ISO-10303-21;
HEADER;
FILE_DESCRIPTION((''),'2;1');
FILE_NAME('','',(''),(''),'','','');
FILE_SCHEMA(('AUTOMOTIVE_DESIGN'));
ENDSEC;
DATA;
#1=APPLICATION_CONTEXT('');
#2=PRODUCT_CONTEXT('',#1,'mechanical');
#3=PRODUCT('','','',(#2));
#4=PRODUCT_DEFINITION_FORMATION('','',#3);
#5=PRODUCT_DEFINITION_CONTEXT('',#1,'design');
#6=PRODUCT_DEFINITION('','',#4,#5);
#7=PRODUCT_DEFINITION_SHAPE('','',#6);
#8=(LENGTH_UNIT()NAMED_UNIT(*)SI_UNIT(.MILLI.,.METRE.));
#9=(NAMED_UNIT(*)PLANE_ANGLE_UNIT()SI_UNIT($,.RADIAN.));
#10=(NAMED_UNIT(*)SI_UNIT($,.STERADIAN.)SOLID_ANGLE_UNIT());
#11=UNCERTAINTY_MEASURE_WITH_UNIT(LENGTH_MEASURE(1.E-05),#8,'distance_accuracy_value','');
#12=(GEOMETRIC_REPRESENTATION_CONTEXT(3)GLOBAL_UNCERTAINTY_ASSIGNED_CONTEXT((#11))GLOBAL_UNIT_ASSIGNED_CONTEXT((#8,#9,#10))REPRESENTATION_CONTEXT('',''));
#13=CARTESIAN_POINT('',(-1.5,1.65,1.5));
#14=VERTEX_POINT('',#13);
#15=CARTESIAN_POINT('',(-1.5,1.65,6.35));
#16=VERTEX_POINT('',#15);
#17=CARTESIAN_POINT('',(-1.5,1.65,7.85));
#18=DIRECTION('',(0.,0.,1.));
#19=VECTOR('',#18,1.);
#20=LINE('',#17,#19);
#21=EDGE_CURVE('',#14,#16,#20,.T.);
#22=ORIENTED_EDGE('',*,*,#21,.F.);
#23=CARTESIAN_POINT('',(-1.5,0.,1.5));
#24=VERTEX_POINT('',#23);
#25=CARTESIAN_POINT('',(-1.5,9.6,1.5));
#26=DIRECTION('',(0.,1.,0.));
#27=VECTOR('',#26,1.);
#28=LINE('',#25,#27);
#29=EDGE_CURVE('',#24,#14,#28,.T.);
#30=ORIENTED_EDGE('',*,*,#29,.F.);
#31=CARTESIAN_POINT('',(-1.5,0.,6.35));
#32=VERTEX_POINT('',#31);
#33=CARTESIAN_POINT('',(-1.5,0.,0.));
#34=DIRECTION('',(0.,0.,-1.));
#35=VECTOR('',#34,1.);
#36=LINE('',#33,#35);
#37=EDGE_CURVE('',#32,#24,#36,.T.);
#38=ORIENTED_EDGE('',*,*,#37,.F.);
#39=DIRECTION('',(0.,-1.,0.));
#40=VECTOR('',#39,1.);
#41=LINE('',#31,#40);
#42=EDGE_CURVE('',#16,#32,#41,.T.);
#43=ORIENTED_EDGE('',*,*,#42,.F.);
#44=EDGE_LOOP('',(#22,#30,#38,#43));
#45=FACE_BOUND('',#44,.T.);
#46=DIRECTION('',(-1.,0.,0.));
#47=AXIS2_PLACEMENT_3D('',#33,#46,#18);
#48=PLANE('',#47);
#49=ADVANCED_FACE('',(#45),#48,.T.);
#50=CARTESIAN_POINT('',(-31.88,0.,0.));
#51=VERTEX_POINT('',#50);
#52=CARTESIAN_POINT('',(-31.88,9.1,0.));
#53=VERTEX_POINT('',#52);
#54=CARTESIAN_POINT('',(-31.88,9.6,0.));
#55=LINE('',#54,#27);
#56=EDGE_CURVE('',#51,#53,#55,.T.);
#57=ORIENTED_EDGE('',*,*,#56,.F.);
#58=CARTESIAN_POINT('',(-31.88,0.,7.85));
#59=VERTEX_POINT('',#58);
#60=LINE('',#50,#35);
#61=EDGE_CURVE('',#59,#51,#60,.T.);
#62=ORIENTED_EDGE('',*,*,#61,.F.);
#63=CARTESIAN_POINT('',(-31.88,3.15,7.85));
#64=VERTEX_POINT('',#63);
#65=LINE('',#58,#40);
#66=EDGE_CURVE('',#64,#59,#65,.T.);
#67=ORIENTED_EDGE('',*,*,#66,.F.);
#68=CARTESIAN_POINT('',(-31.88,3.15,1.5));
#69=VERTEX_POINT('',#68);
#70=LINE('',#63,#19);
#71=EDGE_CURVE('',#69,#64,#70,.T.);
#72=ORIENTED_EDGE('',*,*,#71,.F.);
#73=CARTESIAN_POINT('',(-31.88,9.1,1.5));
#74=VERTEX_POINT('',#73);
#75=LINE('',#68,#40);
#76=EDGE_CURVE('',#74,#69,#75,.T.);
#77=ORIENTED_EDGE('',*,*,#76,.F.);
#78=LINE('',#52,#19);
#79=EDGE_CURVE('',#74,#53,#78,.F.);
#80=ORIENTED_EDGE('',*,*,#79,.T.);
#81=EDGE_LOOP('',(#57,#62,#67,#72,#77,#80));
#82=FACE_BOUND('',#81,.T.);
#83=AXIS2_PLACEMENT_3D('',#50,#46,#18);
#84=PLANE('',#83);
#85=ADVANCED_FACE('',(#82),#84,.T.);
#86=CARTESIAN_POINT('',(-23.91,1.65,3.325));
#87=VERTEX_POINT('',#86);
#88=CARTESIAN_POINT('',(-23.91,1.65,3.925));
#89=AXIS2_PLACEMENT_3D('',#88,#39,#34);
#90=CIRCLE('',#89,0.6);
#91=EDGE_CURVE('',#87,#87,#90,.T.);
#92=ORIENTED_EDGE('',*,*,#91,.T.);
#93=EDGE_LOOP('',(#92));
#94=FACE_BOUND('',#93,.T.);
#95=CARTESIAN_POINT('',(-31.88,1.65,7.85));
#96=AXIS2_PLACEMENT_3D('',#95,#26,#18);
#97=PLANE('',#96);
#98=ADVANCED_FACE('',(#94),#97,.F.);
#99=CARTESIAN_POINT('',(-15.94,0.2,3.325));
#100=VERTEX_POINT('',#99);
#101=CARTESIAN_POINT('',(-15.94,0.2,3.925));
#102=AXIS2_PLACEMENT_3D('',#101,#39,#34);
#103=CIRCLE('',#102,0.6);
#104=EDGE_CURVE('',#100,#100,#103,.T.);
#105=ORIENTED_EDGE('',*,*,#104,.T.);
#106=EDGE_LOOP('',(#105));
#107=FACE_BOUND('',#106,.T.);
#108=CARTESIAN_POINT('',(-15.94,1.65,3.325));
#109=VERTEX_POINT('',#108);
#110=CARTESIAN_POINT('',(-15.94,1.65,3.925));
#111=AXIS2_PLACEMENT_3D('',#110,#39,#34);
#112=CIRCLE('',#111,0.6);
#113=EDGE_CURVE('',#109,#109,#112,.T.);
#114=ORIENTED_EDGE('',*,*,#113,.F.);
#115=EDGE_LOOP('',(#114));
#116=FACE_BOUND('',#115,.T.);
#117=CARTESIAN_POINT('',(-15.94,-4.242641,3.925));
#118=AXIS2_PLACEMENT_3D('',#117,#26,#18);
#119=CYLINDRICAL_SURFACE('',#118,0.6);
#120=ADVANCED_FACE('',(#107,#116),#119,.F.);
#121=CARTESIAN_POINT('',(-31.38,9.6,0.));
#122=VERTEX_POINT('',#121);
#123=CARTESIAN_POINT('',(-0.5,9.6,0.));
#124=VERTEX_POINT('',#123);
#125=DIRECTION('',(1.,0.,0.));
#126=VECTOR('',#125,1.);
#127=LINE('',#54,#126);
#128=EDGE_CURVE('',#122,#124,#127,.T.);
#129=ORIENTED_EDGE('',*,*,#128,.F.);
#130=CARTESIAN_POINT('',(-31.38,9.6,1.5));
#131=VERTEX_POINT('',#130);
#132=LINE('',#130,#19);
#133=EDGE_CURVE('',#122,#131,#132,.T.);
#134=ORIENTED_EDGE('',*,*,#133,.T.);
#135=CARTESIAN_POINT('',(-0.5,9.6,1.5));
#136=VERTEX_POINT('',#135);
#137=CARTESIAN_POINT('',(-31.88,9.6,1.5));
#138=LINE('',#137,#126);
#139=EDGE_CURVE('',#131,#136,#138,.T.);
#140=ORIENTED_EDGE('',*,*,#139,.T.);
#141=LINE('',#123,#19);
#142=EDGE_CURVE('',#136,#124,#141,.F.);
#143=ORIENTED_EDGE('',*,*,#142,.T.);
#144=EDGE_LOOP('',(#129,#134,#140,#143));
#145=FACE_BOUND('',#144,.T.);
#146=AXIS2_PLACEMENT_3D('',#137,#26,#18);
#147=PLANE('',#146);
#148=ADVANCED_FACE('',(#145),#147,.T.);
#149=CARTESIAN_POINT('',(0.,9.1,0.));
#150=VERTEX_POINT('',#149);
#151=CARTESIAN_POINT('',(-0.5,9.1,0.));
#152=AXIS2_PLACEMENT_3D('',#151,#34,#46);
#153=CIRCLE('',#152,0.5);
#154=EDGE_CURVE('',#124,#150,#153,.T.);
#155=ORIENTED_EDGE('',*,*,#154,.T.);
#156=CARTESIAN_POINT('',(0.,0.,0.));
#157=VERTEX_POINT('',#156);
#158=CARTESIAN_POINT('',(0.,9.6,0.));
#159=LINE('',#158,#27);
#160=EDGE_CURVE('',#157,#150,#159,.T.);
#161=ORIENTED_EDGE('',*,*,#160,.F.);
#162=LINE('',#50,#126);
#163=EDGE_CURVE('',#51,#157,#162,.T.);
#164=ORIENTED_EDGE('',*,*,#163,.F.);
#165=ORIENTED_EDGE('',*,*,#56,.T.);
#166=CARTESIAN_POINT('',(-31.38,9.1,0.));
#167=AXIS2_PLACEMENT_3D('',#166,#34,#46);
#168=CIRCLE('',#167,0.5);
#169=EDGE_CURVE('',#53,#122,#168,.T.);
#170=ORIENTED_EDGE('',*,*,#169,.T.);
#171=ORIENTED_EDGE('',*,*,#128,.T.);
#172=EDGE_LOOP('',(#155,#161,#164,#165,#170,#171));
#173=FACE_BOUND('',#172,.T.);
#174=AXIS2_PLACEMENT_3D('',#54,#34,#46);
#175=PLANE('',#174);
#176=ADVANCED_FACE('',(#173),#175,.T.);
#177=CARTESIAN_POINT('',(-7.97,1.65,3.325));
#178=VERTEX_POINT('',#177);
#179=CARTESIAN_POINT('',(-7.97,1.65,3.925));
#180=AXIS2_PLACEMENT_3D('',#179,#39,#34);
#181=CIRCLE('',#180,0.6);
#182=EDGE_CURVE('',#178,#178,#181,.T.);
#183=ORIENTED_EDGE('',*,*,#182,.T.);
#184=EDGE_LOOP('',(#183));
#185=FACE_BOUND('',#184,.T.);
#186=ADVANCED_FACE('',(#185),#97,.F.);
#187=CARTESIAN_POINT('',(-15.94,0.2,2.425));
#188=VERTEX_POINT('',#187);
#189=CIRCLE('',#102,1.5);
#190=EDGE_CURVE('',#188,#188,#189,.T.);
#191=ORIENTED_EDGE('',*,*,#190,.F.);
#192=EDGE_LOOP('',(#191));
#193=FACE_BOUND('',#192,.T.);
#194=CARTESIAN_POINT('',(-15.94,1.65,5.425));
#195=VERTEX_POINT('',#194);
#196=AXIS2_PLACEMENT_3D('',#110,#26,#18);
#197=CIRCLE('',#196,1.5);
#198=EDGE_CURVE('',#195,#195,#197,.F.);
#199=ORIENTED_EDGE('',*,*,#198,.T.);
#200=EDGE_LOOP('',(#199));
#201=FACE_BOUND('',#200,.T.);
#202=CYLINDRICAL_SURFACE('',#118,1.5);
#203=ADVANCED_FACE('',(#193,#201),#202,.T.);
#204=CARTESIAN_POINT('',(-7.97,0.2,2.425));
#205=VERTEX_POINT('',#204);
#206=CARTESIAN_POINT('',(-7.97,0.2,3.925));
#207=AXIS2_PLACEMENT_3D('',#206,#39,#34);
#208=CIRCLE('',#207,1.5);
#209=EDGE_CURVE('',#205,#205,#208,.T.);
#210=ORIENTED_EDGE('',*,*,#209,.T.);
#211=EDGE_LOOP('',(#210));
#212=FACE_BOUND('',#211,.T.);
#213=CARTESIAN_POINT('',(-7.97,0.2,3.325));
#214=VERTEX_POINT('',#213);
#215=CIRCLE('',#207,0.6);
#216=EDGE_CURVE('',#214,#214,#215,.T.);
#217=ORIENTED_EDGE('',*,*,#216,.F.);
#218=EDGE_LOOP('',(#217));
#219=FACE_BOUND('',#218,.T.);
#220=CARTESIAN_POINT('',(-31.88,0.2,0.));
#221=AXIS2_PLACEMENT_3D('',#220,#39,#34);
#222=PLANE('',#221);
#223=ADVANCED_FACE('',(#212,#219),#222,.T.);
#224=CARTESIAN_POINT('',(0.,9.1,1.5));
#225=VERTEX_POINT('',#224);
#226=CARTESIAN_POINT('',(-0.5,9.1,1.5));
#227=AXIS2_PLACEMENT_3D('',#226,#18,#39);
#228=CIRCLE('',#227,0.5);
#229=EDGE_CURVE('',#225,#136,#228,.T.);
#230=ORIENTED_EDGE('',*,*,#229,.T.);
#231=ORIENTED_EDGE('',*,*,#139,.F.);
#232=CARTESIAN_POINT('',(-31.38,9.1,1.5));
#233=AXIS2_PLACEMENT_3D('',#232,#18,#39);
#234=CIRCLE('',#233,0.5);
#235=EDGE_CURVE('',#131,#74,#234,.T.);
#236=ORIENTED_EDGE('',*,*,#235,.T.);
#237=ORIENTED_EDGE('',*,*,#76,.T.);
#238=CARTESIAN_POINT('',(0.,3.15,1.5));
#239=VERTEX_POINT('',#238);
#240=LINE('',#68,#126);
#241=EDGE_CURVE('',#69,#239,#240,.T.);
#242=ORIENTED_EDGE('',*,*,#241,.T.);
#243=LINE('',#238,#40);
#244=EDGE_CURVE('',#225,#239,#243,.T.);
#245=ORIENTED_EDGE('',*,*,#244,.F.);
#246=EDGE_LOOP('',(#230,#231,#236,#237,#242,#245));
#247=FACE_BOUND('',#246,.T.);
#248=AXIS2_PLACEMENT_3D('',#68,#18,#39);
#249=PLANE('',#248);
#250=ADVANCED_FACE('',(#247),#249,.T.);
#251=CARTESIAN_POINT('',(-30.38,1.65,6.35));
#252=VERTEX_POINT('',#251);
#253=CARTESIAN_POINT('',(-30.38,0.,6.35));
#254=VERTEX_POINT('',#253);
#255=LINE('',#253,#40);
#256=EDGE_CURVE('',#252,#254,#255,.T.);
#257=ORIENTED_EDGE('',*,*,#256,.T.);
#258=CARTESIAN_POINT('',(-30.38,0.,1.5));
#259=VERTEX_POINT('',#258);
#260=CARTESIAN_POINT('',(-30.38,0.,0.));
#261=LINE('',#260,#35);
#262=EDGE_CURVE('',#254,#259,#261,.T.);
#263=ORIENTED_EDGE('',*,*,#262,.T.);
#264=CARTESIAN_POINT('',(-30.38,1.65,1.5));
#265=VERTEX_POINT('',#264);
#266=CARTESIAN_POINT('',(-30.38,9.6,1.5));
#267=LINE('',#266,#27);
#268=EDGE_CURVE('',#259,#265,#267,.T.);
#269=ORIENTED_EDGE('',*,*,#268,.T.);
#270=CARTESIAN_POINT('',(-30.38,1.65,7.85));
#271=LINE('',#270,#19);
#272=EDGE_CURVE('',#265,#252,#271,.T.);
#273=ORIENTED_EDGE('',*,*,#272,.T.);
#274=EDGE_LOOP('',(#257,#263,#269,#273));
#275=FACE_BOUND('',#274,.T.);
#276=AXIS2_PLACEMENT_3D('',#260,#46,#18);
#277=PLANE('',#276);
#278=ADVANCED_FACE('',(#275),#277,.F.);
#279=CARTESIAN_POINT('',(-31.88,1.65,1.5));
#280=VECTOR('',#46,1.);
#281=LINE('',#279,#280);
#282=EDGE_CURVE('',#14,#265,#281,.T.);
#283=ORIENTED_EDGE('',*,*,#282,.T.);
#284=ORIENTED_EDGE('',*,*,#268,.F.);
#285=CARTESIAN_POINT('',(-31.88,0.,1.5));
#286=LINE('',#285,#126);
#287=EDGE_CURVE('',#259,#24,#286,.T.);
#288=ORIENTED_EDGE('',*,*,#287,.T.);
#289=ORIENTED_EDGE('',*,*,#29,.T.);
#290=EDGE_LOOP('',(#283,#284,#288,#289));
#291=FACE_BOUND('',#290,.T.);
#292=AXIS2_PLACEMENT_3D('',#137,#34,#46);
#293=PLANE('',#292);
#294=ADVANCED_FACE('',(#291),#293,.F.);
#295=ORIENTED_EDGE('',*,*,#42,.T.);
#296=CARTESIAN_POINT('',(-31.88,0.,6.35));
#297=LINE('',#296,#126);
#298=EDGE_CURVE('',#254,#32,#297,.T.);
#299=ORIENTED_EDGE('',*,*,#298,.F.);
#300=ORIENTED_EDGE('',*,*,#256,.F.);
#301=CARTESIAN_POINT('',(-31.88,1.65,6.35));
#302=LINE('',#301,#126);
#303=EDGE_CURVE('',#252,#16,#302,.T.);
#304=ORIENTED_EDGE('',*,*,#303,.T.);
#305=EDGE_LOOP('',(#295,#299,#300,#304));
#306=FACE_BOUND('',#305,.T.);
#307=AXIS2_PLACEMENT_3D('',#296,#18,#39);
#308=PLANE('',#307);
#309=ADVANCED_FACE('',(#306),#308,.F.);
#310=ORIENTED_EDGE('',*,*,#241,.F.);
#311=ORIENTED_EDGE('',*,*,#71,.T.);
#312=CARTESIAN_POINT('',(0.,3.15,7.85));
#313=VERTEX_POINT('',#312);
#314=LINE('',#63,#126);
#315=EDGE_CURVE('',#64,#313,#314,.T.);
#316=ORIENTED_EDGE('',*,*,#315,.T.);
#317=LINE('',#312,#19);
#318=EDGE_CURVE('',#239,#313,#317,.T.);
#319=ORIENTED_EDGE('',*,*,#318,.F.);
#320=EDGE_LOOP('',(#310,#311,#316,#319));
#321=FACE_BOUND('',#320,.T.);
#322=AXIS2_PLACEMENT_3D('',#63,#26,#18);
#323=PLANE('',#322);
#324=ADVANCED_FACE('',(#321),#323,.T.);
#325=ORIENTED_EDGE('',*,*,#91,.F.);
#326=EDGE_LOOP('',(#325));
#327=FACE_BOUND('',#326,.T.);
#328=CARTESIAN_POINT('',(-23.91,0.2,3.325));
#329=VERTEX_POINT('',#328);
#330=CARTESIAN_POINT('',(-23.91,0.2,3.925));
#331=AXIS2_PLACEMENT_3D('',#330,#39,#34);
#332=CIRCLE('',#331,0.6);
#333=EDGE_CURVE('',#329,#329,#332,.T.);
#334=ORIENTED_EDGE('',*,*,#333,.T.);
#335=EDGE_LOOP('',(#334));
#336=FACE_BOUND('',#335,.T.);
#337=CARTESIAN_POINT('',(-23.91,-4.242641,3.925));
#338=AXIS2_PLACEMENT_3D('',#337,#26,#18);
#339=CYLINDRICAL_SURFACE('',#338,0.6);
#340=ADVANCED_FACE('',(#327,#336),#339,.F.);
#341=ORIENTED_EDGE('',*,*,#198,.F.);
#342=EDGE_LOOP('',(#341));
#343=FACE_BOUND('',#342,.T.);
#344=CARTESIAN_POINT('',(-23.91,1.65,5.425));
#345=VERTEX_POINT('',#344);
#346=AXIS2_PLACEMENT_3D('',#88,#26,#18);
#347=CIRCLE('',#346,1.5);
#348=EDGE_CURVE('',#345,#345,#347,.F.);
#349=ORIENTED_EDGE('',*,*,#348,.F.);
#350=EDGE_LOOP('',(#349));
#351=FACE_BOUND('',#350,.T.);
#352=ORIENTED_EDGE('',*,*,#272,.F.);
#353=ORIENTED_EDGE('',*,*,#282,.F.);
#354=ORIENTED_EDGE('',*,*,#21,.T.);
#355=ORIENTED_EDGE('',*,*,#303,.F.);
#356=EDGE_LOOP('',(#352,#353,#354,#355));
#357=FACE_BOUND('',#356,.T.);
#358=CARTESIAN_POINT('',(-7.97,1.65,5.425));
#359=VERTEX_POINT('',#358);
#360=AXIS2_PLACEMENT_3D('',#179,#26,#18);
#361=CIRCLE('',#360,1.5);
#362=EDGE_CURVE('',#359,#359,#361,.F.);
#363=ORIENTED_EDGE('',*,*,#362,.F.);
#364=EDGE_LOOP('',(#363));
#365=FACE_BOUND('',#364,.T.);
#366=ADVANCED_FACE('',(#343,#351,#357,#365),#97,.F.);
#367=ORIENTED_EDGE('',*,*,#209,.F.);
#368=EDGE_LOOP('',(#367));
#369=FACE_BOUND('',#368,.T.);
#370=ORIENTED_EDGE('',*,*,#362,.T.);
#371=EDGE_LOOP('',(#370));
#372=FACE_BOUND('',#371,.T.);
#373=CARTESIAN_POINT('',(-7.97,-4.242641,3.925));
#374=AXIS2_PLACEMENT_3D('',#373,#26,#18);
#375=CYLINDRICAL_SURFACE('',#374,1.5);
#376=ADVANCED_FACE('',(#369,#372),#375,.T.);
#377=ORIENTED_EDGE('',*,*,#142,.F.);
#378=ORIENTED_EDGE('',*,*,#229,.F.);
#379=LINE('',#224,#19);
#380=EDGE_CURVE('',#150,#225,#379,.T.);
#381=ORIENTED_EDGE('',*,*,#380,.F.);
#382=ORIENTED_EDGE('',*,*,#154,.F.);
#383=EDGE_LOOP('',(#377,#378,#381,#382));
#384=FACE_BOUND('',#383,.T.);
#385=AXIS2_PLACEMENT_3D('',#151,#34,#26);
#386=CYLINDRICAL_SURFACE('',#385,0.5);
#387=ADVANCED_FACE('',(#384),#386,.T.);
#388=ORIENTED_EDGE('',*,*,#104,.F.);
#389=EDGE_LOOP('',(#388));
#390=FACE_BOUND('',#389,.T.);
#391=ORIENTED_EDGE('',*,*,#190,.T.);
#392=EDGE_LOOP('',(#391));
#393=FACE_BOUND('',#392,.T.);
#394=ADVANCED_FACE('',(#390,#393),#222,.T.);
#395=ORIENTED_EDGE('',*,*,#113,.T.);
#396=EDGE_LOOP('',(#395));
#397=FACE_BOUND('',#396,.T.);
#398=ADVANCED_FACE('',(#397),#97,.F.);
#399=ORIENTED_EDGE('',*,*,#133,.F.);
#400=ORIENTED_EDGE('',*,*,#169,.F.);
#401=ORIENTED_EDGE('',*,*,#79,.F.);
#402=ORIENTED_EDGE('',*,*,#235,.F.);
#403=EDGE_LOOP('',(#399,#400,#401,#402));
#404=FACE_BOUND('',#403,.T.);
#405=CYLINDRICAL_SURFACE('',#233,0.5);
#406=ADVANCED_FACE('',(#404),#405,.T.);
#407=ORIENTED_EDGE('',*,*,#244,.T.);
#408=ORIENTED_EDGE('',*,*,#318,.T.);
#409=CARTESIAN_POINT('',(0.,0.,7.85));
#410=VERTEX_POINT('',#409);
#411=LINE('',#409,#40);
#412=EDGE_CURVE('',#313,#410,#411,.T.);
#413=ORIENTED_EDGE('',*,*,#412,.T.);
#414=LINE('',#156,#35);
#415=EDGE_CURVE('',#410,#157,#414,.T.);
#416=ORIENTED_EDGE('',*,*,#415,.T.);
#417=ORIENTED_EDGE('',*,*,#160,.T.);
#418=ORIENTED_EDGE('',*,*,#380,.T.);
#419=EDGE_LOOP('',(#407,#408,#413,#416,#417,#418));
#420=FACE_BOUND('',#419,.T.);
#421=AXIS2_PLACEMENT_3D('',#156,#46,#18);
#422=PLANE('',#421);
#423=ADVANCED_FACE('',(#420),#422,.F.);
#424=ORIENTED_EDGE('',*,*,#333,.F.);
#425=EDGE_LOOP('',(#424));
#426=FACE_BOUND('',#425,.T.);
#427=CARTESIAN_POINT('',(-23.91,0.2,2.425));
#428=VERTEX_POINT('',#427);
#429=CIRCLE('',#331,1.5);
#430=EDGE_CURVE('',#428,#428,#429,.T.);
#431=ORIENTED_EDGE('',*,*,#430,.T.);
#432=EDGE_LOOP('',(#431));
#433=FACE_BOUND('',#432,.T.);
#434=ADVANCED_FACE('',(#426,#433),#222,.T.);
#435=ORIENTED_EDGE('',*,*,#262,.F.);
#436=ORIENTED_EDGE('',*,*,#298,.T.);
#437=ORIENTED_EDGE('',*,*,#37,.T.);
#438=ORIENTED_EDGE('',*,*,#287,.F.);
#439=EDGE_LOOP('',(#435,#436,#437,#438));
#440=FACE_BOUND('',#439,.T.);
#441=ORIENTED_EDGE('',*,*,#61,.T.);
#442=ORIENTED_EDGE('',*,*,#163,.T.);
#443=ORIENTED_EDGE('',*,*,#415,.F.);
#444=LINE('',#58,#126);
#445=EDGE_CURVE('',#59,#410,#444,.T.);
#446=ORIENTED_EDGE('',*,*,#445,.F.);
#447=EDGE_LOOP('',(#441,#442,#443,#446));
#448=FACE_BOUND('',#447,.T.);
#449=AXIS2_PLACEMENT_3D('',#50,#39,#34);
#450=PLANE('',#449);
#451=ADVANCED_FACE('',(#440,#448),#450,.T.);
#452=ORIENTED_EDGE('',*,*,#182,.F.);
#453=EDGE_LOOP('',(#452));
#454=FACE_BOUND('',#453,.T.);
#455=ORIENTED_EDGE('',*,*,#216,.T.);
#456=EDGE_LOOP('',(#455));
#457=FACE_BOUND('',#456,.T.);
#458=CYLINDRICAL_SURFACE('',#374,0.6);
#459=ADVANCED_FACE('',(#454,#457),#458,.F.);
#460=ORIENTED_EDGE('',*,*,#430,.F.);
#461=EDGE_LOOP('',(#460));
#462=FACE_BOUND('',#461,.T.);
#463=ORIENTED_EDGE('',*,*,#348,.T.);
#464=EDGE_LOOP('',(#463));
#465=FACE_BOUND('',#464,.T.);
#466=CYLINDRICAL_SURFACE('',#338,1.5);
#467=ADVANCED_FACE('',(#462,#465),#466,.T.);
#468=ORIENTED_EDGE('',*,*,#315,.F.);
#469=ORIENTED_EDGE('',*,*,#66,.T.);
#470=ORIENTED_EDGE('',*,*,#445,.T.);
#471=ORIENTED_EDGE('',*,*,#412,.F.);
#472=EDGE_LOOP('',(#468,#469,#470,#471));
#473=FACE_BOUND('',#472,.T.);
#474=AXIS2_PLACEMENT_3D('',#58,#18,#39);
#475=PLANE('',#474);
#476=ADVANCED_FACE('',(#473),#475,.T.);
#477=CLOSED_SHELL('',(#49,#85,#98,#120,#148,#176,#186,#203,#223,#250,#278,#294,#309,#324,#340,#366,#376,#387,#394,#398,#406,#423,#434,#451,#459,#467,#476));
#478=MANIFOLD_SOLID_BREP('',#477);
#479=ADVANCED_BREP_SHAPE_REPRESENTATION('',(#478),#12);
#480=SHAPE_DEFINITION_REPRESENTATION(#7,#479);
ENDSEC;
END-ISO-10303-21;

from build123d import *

# Parameters (mm, degrees)
BOSS_EXTRUDE1_DEPTH = 31.88
FILLET1_R           = 0.5
SHELL1_T            = -1.5
SKETCH2_R           = 1.5
SKETCH2_R_2         = 0.6
BOSS_EXTRUDE2_DEPTH = 1.45


with BuildPart() as part:
    # Sketch1 → Boss-Extrude1 (new body)
    with BuildSketch(Plane(origin=(0, 0, 0), x_dir=(0, 0, -1), z_dir=(1, 0, 0))):
        Polygon((0, 0), (-7.85, 0), (-7.85, 3.15), (-1.5, 3.15), (-1.5, 9.6), (0, 9.6), align=None)
    extrude(amount=-BOSS_EXTRUDE1_DEPTH)

    # Fillet1
    fillet1_edges = [part.edges().sort_by_distance(p)[0] for p in [
        (0, 9.6, 0.75),
        (-31.88, 9.6, 0.75),
    ]]
    fillet(fillet1_edges, radius=FILLET1_R)

    # Shell1
    shell1_openings = [part.faces().sort_by_distance(p)[0] for p in [
        (-15.94, 0, 3.925),
    ]]
    offset(amount=SHELL1_T, openings=shell1_openings, kind=Kind.INTERSECTION)

    # Sketch2 → Boss-Extrude2 (add)
    # profile 1 of 3: a face of its own
    with BuildSketch(Plane.XZ.offset(-1.65)):
        with Locations(Location((-23.91, 3.925, 0), (0, 0, 90))):
            Circle(SKETCH2_R)
        with Locations(Location((-23.91, 3.925, 0), (0, 0, 270))):
            Circle(SKETCH2_R_2, mode=Mode.SUBTRACT)
    # profile 2 of 3: a face of its own
    with BuildSketch(Plane.XZ.offset(-1.65)):
        with Locations(Location((-15.94, 3.925, 0), (0, 0, 90))):
            Circle(SKETCH2_R)
        with Locations(Location((-15.94, 3.925, 0), (0, 0, 270))):
            Circle(SKETCH2_R_2, mode=Mode.SUBTRACT)
    # profile 3 of 3: a face of its own
    with BuildSketch(Plane.XZ.offset(-1.65)):
        with Locations(Location((-7.97, 3.925, 0), (0, 0, 90))):
            Circle(SKETCH2_R)
        with Locations(Location((-7.97, 3.925, 0), (0, 0, 270))):
            Circle(SKETCH2_R_2, mode=Mode.SUBTRACT)
    extrude(amount=BOSS_EXTRUDE2_DEPTH)


solid = part.part
